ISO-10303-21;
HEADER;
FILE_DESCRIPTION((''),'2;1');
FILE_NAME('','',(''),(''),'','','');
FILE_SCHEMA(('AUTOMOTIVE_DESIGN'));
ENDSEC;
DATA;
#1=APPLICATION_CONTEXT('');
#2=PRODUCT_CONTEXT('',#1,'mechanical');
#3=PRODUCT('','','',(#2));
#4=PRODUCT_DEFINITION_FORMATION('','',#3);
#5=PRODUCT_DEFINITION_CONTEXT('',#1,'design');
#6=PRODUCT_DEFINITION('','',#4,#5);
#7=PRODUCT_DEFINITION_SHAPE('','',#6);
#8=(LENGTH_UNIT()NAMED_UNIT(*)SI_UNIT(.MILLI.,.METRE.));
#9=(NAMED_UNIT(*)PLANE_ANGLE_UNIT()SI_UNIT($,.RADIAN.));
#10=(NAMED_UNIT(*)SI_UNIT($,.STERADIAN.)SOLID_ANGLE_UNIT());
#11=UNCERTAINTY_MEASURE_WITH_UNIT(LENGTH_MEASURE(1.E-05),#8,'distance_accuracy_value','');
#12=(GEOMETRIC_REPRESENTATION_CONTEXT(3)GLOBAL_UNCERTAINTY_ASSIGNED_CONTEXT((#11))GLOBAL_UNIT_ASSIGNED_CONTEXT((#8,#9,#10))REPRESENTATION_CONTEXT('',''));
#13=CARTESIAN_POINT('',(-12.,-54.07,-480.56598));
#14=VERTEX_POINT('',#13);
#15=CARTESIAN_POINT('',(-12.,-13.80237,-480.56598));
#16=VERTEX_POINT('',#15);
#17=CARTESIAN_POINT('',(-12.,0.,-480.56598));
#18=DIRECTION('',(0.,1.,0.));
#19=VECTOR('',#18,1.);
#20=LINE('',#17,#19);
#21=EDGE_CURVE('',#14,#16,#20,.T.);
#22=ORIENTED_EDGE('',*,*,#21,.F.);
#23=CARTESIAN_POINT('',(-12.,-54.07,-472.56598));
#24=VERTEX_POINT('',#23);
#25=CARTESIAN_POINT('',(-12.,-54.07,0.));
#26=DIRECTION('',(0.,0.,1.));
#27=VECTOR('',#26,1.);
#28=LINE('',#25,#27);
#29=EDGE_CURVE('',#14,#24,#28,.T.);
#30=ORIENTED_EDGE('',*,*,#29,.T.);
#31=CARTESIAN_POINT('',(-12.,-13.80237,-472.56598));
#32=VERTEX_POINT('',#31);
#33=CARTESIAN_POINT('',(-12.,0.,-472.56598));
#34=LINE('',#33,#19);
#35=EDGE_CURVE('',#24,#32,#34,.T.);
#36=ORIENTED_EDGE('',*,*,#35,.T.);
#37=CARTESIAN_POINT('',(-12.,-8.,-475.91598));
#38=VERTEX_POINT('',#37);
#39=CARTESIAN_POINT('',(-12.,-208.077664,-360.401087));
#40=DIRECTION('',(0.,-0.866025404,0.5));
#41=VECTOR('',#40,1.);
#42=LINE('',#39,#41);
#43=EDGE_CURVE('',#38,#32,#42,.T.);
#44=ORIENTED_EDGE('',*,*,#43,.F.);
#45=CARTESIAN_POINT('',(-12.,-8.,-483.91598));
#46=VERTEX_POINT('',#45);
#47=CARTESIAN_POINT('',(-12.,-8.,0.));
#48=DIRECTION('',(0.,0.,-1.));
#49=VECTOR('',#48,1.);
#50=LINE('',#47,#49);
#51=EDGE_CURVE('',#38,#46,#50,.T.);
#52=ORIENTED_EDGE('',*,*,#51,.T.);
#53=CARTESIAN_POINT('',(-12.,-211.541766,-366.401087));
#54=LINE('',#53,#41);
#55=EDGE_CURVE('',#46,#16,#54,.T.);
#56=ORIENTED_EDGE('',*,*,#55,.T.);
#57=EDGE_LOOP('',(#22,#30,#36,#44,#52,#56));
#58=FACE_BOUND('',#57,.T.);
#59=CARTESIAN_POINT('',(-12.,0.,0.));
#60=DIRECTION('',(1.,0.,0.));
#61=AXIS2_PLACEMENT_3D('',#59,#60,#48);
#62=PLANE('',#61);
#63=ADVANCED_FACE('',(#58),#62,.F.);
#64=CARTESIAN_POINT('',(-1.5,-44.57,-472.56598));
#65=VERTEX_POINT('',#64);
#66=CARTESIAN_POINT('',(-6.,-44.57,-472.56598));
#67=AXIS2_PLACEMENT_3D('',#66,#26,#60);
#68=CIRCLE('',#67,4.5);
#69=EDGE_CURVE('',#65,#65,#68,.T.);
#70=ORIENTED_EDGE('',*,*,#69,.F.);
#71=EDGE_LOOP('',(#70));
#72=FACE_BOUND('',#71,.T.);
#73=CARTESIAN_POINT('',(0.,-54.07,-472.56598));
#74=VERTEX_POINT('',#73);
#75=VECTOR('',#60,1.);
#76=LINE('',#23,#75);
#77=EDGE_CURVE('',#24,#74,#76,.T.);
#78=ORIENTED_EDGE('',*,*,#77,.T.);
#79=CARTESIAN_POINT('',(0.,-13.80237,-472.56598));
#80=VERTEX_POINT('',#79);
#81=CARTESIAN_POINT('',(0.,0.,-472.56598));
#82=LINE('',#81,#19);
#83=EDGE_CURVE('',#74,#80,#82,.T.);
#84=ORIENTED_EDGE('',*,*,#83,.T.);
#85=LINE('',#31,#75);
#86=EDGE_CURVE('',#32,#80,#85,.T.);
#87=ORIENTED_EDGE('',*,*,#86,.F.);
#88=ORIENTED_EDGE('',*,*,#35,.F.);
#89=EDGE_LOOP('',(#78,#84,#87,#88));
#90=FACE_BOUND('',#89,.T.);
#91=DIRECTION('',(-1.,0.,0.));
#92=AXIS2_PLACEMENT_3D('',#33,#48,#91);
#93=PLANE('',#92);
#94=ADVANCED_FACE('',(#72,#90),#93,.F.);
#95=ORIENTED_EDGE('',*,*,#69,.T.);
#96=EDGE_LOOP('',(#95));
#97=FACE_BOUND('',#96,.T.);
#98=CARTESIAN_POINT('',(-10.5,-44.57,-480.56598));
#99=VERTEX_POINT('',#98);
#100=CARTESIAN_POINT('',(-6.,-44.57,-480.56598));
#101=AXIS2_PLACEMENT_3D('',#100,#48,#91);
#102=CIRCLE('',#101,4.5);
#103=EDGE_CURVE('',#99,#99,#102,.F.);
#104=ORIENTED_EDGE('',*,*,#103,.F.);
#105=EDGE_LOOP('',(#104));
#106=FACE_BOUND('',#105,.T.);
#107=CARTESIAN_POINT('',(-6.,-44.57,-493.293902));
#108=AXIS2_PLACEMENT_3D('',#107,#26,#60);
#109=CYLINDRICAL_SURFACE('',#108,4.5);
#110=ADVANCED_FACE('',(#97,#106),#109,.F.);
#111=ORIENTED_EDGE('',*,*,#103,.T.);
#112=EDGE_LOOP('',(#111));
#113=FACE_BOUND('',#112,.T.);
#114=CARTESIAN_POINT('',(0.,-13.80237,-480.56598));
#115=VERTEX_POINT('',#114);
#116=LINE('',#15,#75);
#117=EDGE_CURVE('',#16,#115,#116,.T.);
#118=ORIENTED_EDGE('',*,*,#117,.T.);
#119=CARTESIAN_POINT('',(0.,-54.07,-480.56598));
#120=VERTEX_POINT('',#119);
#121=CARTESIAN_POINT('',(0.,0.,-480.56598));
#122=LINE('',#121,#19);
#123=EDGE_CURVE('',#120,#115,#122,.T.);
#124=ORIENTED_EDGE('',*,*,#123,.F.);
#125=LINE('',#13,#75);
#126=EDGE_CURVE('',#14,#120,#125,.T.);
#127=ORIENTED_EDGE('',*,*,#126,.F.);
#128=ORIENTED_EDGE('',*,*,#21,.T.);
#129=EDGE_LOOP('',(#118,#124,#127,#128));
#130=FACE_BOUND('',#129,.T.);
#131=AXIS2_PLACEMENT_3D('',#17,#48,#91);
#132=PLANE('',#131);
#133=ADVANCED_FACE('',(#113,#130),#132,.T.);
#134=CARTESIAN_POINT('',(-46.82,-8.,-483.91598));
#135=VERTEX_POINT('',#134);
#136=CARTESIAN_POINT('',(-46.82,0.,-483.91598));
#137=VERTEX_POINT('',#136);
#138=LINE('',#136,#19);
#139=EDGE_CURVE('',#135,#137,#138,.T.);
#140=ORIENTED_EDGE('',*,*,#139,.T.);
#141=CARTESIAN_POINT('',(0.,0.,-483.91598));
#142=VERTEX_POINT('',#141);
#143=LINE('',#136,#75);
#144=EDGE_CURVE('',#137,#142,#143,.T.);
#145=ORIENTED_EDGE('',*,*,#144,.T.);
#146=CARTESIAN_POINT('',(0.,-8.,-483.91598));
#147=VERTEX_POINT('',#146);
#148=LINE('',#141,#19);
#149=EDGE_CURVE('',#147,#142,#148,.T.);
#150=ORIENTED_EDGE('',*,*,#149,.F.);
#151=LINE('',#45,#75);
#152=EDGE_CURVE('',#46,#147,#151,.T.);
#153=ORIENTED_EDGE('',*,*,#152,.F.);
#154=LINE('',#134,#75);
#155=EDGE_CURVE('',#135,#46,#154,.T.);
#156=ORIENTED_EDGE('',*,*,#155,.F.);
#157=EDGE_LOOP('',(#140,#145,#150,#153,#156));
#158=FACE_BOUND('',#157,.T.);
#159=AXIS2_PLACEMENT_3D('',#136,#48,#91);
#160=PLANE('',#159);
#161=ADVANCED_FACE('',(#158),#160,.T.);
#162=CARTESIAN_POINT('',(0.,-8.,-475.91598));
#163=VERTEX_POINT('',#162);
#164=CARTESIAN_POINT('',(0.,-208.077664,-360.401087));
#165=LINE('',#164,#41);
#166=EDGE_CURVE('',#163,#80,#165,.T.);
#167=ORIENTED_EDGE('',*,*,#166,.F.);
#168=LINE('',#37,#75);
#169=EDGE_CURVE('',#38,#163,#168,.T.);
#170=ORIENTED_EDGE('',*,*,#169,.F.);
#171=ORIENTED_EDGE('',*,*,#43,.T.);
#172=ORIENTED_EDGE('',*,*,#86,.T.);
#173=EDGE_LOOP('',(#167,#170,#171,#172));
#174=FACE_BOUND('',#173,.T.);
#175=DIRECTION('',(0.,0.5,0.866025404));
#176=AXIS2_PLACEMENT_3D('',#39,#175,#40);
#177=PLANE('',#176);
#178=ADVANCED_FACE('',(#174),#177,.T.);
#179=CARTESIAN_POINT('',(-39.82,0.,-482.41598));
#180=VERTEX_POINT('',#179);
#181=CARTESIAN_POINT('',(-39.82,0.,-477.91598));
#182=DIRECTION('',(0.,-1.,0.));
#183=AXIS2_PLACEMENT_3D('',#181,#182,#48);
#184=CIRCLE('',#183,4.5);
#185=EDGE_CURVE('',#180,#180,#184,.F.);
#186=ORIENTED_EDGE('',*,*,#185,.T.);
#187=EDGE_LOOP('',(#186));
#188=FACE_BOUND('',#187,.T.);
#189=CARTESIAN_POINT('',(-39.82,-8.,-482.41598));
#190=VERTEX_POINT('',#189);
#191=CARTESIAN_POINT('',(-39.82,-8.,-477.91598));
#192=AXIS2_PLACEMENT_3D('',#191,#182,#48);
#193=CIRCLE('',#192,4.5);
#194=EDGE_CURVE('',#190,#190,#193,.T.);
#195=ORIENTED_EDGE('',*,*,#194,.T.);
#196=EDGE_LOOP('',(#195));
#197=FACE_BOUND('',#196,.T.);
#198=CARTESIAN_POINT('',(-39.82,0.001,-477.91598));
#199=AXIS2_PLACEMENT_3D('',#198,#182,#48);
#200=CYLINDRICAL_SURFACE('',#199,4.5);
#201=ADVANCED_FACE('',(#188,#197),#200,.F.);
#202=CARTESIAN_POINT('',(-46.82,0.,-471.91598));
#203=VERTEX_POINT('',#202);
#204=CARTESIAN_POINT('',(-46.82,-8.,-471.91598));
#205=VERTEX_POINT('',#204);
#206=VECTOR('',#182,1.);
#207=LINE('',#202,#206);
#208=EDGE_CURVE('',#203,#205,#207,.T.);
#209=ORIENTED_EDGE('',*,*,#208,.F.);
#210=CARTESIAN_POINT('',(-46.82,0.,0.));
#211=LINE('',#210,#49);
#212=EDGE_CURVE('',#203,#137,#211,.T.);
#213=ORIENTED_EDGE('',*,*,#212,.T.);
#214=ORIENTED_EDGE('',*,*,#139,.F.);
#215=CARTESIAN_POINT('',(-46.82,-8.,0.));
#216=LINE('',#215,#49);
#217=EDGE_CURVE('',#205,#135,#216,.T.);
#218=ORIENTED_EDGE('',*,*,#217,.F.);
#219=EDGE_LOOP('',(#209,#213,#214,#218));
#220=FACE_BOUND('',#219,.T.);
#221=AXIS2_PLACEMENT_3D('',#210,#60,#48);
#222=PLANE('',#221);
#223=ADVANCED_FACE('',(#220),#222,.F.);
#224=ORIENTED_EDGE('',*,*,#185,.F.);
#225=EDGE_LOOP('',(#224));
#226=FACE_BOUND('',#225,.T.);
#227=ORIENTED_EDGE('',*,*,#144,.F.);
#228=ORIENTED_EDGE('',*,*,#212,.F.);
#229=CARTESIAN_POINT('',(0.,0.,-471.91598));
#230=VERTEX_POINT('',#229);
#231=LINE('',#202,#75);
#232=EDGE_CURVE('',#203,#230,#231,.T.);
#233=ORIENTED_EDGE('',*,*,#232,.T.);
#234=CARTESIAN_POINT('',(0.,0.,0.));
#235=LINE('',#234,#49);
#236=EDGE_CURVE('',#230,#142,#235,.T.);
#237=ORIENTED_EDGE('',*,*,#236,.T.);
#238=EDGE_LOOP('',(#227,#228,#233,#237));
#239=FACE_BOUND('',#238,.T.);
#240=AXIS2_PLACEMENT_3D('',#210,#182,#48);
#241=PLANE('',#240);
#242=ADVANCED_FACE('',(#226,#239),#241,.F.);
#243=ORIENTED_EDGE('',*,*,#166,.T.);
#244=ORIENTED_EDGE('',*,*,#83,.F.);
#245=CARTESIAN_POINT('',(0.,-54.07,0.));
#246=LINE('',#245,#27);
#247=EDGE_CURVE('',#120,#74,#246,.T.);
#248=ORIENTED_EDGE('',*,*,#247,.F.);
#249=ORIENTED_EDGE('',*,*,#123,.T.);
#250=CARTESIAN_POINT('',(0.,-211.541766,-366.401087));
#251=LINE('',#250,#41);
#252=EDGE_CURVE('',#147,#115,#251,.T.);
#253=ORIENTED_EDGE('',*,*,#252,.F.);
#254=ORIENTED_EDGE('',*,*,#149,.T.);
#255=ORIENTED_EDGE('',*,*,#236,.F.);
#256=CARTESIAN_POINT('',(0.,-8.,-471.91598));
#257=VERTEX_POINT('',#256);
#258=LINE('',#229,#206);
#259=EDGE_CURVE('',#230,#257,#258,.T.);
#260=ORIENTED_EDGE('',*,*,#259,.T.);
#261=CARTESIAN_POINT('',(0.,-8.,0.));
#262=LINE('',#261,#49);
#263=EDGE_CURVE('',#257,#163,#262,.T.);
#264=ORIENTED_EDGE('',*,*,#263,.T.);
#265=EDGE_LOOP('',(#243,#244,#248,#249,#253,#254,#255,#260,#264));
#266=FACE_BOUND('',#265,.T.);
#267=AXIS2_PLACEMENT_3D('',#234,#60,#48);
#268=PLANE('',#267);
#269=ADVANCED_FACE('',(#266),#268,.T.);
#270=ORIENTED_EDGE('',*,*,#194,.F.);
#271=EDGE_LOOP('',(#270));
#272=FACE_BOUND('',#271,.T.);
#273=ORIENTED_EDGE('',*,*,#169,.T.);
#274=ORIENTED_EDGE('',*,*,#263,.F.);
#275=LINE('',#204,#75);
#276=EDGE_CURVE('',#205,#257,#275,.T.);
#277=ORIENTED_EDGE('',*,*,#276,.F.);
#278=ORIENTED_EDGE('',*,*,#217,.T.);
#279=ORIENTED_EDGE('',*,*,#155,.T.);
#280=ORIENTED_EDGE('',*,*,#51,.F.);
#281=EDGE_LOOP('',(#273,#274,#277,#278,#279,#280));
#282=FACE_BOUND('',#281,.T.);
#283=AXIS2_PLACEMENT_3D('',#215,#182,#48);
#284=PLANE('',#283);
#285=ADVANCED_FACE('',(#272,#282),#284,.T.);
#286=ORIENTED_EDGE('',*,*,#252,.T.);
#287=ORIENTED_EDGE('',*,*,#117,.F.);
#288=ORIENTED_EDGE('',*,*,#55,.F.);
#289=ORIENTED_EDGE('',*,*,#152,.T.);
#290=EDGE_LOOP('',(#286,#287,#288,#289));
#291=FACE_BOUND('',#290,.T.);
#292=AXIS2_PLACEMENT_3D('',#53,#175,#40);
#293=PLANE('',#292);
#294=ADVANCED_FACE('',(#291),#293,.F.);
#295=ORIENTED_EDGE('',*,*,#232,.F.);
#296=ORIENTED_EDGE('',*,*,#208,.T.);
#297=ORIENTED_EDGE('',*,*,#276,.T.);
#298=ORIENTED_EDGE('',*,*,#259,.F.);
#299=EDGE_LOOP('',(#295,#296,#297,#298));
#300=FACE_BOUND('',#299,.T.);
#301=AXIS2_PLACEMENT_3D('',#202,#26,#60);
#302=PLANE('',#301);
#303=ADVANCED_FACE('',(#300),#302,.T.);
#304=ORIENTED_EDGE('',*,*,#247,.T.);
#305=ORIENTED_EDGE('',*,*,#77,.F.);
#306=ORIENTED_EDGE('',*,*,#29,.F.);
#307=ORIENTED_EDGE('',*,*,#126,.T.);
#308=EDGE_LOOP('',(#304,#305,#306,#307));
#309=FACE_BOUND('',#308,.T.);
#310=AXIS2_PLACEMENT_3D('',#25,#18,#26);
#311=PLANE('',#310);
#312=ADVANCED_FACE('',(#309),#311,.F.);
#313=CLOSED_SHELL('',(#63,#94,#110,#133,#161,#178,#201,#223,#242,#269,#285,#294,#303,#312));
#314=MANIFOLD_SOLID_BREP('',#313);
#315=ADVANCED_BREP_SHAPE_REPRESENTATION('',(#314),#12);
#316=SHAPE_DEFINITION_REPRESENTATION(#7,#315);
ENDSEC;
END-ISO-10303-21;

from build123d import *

# Parameters (mm, degrees)
BOSS_EXTRUDE1_DEPTH = 12
BOSS_EXTRUDE2_DEPTH = 46.82
SKETCH3_R           = 4.5
CUT_EXTRUDE2_DEPTH  = 8
SKETCH5_R           = 4.5
CUT_EXTRUDE4_DEPTH  = 8


with BuildPart() as part:
    # Sketch1 → Boss-Extrude1 (new body)
    with BuildSketch(Plane(origin=(0, 0, 0), x_dir=(0, 0, -1), z_dir=(1, 0, 0))):
        Polygon((475.915980223, -8), (483.915980223, -8), (480.565980223, -13.802370205), (480.565980223, -54.069999995), (472.565980223, -54.069999995), (472.565980223, -13.802370205), align=None)
    extrude(amount=-BOSS_EXTRUDE1_DEPTH)

    # Sketch1<3> → Boss-Extrude2 (add)
    with BuildSketch(Plane(origin=(0, 0, 0), x_dir=(0, 0, -1), z_dir=(1, 0, 0))):
        Polygon((471.915980223, -8), (475.915980223, -8), (483.915980223, -8), (483.915980223, 0), (471.915980223, 0), align=None)
    extrude(amount=-BOSS_EXTRUDE2_DEPTH)

    # Sketch3 → Cut-Extrude2 (cut)
    with BuildSketch(Plane.XZ.offset(8)):
        with Locations(Location((-39.82, -477.915980223, 0), (0, 0, 270))):
            Circle(SKETCH3_R)
    extrude(amount=-CUT_EXTRUDE2_DEPTH, mode=Mode.SUBTRACT)

    # Sketch5 → Cut-Extrude4 (cut)
    with BuildSketch(Plane.XY.offset(-472.565980223)):
        with Locations((-6, -44.569999995)):
            Circle(SKETCH5_R)
    extrude(amount=-CUT_EXTRUDE4_DEPTH, mode=Mode.SUBTRACT)


solid = part.part
